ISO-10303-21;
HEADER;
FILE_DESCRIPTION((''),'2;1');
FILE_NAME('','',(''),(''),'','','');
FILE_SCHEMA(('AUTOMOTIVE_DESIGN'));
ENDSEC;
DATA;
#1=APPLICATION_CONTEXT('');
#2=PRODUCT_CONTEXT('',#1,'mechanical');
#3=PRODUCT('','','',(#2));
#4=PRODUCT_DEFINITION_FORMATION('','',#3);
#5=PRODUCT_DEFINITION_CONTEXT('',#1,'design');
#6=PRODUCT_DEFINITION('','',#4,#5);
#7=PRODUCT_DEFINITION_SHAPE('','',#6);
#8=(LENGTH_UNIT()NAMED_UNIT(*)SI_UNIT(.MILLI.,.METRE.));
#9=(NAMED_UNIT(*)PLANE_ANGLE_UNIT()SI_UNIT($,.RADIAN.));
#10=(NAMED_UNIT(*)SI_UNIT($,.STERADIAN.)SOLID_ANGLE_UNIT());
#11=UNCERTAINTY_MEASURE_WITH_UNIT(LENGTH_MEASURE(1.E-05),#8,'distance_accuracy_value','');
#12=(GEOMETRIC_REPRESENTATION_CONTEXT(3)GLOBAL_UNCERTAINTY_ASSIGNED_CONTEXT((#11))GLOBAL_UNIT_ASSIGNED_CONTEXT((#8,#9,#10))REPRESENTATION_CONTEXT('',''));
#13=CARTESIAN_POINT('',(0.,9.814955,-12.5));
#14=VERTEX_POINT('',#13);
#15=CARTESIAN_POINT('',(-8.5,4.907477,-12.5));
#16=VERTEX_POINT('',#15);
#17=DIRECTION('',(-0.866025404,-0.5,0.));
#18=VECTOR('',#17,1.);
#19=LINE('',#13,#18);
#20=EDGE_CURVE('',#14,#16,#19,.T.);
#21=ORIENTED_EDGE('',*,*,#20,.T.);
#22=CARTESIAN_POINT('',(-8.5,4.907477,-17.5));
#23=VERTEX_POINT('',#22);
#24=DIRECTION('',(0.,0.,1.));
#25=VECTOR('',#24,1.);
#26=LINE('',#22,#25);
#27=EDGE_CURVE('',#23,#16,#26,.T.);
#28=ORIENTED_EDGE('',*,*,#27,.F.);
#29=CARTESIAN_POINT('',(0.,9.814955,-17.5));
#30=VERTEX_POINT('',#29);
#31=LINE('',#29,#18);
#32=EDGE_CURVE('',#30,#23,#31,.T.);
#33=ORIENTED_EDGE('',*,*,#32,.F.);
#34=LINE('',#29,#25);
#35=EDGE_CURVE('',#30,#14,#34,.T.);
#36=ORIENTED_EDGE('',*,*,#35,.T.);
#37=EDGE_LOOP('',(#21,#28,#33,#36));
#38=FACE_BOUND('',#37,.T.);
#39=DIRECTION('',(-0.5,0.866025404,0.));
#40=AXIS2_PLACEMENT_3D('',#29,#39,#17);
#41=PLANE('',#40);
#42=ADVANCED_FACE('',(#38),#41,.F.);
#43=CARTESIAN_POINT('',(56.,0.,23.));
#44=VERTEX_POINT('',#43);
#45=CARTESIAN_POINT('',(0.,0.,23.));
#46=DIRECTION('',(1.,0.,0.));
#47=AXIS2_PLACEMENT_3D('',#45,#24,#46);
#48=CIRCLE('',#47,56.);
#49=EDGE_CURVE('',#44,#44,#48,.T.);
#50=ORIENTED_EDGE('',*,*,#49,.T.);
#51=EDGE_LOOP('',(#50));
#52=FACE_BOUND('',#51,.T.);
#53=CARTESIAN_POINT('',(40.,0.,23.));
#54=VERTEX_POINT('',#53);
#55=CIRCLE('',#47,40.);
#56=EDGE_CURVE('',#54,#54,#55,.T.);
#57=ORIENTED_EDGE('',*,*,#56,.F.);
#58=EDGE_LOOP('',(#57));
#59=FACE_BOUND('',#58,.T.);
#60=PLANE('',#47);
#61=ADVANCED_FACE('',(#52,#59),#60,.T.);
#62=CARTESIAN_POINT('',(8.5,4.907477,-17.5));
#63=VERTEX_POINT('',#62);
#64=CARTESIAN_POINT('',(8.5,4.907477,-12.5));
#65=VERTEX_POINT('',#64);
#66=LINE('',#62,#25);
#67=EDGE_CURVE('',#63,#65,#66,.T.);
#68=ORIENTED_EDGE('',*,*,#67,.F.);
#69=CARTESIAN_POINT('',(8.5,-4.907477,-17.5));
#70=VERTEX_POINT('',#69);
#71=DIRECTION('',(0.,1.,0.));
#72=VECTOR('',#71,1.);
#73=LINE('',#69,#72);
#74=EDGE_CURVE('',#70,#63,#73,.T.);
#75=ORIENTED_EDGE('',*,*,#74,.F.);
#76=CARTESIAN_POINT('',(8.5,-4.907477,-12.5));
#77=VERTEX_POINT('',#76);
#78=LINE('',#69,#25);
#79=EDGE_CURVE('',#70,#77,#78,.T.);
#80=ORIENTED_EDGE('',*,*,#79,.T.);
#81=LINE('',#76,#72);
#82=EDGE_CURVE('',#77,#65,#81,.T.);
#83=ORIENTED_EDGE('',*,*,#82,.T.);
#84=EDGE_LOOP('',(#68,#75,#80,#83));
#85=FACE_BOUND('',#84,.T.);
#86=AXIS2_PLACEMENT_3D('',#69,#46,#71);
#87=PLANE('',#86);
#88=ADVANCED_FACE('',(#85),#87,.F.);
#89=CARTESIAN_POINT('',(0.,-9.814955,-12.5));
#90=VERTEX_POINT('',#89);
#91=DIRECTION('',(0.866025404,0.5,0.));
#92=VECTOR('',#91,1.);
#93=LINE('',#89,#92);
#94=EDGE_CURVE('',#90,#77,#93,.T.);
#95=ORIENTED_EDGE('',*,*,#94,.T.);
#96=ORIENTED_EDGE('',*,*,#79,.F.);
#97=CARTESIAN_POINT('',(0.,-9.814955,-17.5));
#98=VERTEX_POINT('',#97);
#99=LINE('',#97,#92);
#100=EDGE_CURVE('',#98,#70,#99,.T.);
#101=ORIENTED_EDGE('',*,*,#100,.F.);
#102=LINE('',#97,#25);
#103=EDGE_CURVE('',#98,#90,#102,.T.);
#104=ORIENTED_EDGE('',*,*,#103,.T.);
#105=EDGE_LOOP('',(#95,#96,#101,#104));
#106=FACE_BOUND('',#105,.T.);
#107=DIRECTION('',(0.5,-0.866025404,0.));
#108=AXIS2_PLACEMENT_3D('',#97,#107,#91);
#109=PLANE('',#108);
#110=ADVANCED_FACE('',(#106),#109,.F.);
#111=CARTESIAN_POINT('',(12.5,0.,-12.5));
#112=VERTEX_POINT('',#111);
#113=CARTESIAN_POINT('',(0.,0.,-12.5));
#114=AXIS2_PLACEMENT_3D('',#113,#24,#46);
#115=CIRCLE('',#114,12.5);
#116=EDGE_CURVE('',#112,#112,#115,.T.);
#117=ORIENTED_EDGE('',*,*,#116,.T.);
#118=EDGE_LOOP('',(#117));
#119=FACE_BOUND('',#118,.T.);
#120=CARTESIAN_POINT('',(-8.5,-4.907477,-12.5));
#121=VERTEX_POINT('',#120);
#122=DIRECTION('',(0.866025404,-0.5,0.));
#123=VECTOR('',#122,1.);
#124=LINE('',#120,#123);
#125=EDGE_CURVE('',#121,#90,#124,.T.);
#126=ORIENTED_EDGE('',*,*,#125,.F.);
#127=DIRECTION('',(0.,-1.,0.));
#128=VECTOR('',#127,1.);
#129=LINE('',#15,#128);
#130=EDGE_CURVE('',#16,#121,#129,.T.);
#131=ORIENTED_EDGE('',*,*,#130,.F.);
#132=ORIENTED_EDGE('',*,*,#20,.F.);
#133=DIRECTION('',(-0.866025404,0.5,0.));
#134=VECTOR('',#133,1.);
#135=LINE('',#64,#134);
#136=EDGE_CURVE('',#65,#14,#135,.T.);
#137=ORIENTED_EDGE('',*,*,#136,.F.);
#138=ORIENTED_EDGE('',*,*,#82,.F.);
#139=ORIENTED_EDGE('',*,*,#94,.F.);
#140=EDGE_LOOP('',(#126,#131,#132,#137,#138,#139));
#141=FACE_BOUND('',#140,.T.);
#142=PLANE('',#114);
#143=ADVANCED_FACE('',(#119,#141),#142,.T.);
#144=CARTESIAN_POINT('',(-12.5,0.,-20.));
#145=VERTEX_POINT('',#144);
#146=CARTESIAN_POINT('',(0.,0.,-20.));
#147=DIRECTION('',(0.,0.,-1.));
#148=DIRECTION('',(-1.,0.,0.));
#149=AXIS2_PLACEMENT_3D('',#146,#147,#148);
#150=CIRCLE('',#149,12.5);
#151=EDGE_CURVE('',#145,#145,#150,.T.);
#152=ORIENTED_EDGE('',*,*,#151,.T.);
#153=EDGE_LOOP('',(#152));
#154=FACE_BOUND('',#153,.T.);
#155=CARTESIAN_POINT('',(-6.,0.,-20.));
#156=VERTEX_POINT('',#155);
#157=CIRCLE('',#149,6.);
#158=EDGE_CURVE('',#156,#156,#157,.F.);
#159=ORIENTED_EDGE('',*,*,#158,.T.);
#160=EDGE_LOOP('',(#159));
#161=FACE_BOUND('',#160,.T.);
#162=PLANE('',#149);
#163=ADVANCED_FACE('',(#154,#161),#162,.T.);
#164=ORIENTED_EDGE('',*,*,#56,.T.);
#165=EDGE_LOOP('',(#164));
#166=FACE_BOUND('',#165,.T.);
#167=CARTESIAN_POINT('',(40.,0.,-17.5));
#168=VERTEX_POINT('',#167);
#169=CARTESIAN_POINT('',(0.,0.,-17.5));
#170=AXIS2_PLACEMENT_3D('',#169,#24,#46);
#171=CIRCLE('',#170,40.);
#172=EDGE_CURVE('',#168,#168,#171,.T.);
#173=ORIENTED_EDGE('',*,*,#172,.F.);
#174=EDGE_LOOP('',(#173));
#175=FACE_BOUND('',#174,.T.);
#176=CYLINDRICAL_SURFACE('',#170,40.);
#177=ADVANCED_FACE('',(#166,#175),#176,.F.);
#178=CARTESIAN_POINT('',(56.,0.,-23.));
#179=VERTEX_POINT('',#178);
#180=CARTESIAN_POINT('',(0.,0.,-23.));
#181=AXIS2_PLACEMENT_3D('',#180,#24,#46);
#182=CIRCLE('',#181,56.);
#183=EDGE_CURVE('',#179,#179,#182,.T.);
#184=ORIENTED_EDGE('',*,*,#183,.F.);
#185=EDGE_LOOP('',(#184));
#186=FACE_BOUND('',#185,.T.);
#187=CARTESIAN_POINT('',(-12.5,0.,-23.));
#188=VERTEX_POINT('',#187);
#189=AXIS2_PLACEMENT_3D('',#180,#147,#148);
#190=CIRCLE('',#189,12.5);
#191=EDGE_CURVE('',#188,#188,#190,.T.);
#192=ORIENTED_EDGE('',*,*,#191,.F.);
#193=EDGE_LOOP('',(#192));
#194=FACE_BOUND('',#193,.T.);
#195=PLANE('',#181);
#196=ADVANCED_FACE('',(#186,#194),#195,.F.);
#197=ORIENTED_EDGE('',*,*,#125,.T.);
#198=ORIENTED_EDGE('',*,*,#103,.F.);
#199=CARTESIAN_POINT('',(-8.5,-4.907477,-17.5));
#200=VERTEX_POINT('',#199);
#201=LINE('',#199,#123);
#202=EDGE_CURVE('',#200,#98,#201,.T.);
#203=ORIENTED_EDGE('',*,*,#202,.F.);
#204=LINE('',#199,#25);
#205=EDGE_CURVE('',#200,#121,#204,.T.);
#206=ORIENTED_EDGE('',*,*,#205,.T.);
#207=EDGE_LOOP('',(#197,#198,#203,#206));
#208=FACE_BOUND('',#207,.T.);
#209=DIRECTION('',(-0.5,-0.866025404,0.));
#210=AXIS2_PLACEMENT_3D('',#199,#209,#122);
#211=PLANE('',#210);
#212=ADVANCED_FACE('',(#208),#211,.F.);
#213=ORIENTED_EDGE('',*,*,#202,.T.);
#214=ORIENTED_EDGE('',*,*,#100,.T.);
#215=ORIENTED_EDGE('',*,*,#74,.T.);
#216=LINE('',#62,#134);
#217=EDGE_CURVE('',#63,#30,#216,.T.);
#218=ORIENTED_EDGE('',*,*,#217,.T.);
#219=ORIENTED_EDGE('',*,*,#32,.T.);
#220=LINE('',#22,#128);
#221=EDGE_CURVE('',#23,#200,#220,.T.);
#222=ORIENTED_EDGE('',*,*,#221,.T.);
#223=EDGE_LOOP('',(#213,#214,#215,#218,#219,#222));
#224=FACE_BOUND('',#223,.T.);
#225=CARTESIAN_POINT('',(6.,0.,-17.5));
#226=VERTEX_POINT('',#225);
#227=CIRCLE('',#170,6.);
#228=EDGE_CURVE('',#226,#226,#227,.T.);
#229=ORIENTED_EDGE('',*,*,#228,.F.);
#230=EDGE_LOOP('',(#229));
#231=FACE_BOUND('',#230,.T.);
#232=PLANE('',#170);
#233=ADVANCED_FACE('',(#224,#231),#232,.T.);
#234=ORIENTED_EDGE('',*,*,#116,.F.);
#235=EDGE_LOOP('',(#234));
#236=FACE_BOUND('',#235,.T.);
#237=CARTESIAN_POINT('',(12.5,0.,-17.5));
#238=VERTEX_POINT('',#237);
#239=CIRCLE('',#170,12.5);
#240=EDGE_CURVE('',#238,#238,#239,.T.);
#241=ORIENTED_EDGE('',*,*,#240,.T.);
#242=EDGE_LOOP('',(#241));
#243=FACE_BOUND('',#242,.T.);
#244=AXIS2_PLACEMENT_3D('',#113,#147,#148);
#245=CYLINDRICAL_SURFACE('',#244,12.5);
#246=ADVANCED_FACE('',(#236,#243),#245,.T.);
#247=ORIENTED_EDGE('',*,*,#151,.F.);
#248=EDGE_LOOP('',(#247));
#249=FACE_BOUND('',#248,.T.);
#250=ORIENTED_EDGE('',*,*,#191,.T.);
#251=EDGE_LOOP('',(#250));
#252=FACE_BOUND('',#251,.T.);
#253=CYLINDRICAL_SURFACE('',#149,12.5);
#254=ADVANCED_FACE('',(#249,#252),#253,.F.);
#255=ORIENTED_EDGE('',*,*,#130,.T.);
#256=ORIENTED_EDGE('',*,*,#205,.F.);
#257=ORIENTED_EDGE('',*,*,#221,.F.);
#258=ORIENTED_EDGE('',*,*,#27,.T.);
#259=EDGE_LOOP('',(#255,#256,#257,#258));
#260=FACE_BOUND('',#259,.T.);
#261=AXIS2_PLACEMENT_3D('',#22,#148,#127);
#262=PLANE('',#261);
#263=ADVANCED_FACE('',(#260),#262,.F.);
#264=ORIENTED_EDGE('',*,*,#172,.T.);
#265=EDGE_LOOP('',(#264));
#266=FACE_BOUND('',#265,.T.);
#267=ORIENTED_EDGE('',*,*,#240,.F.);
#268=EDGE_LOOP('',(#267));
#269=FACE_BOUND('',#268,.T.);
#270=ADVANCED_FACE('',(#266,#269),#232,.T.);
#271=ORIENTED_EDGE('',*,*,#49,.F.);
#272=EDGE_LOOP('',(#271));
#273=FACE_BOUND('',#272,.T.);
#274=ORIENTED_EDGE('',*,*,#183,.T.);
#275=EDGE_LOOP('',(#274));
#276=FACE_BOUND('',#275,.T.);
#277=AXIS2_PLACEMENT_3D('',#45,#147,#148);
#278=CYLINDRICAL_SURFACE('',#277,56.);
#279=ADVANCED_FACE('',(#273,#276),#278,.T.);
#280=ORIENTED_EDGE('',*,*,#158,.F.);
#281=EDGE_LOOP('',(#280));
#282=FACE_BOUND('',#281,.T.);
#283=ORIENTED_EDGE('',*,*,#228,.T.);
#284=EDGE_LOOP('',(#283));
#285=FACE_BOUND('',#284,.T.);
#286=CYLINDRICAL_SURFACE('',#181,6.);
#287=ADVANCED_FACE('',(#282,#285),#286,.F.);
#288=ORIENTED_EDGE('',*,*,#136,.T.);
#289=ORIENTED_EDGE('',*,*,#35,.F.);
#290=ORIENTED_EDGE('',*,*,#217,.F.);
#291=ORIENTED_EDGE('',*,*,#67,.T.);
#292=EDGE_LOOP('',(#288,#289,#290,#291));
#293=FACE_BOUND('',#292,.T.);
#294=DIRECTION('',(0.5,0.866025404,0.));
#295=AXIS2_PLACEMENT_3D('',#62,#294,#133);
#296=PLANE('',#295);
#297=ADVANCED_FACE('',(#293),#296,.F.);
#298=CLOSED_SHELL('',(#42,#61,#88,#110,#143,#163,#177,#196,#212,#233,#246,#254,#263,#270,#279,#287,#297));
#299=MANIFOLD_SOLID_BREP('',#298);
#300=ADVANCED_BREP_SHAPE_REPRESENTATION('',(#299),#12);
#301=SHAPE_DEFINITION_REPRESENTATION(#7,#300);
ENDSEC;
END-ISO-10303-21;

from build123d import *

# Parameters (mm, degrees)
CROQUIS1_R              = 56
SALIENTE_EXTRUIR1_DEPTH = 23
CROQUIS2_R              = 40
CORTAR_EXTRUIR1_DEPTH   = 40.5
CROQUIS3_R              = 12.5
SALIENTE_EXTRUIR2_DEPTH = 5
CORTAR_EXTRUIR2_DEPTH   = 5
CROQUIS5_R              = 6
CORTAR_EXTRUIR3_DEPTH   = 89.950829114
CROQUIS6_R              = 12.5
CORTAR_EXTRUIR4_DEPTH   = 3


with BuildPart() as part:
    # Croquis1 → Saliente-Extruir1 (new, symmetric)
    with BuildSketch(Plane.XY):
        Circle(CROQUIS1_R)
    extrude(amount=SALIENTE_EXTRUIR1_DEPTH, both=True)

    # Croquis2 → Cortar-Extruir1 (cut)
    with BuildSketch(Plane.XY.offset(23)):
        Circle(CROQUIS2_R)
    extrude(amount=-CORTAR_EXTRUIR1_DEPTH, mode=Mode.SUBTRACT)

    # Croquis3 → Saliente-Extruir2 (add)
    with BuildSketch(Plane.XY.offset(-17.5)):
        Circle(CROQUIS3_R)
    extrude(amount=SALIENTE_EXTRUIR2_DEPTH)

    # Croquis4 → Cortar-Extruir2 (cut)
    with BuildSketch(Plane.XY.offset(-12.5)):
        Polygon((0, 9.814954576), (-8.5, 4.907477288), (-8.5, -4.907477288), (0, -9.814954576), (8.5, -4.907477288), (8.5, 4.907477288), align=None)
    extrude(amount=-CORTAR_EXTRUIR2_DEPTH, mode=Mode.SUBTRACT)

    # Croquis5 → Cortar-Extruir3 (cut, through all)
    with BuildSketch(Plane.XY.offset(-17.5)):
        Circle(CROQUIS5_R)
    extrude(amount=-CORTAR_EXTRUIR3_DEPTH, mode=Mode.SUBTRACT)

    # Croquis6 → Cortar-Extruir4 (cut)
    with BuildSketch(Plane(origin=(0, 0, -23), x_dir=(-1, 0, 0), z_dir=(0, 0, -1))):
        Circle(CROQUIS6_R)
    extrude(amount=-CORTAR_EXTRUIR4_DEPTH, mode=Mode.SUBTRACT)


solid = part.part
